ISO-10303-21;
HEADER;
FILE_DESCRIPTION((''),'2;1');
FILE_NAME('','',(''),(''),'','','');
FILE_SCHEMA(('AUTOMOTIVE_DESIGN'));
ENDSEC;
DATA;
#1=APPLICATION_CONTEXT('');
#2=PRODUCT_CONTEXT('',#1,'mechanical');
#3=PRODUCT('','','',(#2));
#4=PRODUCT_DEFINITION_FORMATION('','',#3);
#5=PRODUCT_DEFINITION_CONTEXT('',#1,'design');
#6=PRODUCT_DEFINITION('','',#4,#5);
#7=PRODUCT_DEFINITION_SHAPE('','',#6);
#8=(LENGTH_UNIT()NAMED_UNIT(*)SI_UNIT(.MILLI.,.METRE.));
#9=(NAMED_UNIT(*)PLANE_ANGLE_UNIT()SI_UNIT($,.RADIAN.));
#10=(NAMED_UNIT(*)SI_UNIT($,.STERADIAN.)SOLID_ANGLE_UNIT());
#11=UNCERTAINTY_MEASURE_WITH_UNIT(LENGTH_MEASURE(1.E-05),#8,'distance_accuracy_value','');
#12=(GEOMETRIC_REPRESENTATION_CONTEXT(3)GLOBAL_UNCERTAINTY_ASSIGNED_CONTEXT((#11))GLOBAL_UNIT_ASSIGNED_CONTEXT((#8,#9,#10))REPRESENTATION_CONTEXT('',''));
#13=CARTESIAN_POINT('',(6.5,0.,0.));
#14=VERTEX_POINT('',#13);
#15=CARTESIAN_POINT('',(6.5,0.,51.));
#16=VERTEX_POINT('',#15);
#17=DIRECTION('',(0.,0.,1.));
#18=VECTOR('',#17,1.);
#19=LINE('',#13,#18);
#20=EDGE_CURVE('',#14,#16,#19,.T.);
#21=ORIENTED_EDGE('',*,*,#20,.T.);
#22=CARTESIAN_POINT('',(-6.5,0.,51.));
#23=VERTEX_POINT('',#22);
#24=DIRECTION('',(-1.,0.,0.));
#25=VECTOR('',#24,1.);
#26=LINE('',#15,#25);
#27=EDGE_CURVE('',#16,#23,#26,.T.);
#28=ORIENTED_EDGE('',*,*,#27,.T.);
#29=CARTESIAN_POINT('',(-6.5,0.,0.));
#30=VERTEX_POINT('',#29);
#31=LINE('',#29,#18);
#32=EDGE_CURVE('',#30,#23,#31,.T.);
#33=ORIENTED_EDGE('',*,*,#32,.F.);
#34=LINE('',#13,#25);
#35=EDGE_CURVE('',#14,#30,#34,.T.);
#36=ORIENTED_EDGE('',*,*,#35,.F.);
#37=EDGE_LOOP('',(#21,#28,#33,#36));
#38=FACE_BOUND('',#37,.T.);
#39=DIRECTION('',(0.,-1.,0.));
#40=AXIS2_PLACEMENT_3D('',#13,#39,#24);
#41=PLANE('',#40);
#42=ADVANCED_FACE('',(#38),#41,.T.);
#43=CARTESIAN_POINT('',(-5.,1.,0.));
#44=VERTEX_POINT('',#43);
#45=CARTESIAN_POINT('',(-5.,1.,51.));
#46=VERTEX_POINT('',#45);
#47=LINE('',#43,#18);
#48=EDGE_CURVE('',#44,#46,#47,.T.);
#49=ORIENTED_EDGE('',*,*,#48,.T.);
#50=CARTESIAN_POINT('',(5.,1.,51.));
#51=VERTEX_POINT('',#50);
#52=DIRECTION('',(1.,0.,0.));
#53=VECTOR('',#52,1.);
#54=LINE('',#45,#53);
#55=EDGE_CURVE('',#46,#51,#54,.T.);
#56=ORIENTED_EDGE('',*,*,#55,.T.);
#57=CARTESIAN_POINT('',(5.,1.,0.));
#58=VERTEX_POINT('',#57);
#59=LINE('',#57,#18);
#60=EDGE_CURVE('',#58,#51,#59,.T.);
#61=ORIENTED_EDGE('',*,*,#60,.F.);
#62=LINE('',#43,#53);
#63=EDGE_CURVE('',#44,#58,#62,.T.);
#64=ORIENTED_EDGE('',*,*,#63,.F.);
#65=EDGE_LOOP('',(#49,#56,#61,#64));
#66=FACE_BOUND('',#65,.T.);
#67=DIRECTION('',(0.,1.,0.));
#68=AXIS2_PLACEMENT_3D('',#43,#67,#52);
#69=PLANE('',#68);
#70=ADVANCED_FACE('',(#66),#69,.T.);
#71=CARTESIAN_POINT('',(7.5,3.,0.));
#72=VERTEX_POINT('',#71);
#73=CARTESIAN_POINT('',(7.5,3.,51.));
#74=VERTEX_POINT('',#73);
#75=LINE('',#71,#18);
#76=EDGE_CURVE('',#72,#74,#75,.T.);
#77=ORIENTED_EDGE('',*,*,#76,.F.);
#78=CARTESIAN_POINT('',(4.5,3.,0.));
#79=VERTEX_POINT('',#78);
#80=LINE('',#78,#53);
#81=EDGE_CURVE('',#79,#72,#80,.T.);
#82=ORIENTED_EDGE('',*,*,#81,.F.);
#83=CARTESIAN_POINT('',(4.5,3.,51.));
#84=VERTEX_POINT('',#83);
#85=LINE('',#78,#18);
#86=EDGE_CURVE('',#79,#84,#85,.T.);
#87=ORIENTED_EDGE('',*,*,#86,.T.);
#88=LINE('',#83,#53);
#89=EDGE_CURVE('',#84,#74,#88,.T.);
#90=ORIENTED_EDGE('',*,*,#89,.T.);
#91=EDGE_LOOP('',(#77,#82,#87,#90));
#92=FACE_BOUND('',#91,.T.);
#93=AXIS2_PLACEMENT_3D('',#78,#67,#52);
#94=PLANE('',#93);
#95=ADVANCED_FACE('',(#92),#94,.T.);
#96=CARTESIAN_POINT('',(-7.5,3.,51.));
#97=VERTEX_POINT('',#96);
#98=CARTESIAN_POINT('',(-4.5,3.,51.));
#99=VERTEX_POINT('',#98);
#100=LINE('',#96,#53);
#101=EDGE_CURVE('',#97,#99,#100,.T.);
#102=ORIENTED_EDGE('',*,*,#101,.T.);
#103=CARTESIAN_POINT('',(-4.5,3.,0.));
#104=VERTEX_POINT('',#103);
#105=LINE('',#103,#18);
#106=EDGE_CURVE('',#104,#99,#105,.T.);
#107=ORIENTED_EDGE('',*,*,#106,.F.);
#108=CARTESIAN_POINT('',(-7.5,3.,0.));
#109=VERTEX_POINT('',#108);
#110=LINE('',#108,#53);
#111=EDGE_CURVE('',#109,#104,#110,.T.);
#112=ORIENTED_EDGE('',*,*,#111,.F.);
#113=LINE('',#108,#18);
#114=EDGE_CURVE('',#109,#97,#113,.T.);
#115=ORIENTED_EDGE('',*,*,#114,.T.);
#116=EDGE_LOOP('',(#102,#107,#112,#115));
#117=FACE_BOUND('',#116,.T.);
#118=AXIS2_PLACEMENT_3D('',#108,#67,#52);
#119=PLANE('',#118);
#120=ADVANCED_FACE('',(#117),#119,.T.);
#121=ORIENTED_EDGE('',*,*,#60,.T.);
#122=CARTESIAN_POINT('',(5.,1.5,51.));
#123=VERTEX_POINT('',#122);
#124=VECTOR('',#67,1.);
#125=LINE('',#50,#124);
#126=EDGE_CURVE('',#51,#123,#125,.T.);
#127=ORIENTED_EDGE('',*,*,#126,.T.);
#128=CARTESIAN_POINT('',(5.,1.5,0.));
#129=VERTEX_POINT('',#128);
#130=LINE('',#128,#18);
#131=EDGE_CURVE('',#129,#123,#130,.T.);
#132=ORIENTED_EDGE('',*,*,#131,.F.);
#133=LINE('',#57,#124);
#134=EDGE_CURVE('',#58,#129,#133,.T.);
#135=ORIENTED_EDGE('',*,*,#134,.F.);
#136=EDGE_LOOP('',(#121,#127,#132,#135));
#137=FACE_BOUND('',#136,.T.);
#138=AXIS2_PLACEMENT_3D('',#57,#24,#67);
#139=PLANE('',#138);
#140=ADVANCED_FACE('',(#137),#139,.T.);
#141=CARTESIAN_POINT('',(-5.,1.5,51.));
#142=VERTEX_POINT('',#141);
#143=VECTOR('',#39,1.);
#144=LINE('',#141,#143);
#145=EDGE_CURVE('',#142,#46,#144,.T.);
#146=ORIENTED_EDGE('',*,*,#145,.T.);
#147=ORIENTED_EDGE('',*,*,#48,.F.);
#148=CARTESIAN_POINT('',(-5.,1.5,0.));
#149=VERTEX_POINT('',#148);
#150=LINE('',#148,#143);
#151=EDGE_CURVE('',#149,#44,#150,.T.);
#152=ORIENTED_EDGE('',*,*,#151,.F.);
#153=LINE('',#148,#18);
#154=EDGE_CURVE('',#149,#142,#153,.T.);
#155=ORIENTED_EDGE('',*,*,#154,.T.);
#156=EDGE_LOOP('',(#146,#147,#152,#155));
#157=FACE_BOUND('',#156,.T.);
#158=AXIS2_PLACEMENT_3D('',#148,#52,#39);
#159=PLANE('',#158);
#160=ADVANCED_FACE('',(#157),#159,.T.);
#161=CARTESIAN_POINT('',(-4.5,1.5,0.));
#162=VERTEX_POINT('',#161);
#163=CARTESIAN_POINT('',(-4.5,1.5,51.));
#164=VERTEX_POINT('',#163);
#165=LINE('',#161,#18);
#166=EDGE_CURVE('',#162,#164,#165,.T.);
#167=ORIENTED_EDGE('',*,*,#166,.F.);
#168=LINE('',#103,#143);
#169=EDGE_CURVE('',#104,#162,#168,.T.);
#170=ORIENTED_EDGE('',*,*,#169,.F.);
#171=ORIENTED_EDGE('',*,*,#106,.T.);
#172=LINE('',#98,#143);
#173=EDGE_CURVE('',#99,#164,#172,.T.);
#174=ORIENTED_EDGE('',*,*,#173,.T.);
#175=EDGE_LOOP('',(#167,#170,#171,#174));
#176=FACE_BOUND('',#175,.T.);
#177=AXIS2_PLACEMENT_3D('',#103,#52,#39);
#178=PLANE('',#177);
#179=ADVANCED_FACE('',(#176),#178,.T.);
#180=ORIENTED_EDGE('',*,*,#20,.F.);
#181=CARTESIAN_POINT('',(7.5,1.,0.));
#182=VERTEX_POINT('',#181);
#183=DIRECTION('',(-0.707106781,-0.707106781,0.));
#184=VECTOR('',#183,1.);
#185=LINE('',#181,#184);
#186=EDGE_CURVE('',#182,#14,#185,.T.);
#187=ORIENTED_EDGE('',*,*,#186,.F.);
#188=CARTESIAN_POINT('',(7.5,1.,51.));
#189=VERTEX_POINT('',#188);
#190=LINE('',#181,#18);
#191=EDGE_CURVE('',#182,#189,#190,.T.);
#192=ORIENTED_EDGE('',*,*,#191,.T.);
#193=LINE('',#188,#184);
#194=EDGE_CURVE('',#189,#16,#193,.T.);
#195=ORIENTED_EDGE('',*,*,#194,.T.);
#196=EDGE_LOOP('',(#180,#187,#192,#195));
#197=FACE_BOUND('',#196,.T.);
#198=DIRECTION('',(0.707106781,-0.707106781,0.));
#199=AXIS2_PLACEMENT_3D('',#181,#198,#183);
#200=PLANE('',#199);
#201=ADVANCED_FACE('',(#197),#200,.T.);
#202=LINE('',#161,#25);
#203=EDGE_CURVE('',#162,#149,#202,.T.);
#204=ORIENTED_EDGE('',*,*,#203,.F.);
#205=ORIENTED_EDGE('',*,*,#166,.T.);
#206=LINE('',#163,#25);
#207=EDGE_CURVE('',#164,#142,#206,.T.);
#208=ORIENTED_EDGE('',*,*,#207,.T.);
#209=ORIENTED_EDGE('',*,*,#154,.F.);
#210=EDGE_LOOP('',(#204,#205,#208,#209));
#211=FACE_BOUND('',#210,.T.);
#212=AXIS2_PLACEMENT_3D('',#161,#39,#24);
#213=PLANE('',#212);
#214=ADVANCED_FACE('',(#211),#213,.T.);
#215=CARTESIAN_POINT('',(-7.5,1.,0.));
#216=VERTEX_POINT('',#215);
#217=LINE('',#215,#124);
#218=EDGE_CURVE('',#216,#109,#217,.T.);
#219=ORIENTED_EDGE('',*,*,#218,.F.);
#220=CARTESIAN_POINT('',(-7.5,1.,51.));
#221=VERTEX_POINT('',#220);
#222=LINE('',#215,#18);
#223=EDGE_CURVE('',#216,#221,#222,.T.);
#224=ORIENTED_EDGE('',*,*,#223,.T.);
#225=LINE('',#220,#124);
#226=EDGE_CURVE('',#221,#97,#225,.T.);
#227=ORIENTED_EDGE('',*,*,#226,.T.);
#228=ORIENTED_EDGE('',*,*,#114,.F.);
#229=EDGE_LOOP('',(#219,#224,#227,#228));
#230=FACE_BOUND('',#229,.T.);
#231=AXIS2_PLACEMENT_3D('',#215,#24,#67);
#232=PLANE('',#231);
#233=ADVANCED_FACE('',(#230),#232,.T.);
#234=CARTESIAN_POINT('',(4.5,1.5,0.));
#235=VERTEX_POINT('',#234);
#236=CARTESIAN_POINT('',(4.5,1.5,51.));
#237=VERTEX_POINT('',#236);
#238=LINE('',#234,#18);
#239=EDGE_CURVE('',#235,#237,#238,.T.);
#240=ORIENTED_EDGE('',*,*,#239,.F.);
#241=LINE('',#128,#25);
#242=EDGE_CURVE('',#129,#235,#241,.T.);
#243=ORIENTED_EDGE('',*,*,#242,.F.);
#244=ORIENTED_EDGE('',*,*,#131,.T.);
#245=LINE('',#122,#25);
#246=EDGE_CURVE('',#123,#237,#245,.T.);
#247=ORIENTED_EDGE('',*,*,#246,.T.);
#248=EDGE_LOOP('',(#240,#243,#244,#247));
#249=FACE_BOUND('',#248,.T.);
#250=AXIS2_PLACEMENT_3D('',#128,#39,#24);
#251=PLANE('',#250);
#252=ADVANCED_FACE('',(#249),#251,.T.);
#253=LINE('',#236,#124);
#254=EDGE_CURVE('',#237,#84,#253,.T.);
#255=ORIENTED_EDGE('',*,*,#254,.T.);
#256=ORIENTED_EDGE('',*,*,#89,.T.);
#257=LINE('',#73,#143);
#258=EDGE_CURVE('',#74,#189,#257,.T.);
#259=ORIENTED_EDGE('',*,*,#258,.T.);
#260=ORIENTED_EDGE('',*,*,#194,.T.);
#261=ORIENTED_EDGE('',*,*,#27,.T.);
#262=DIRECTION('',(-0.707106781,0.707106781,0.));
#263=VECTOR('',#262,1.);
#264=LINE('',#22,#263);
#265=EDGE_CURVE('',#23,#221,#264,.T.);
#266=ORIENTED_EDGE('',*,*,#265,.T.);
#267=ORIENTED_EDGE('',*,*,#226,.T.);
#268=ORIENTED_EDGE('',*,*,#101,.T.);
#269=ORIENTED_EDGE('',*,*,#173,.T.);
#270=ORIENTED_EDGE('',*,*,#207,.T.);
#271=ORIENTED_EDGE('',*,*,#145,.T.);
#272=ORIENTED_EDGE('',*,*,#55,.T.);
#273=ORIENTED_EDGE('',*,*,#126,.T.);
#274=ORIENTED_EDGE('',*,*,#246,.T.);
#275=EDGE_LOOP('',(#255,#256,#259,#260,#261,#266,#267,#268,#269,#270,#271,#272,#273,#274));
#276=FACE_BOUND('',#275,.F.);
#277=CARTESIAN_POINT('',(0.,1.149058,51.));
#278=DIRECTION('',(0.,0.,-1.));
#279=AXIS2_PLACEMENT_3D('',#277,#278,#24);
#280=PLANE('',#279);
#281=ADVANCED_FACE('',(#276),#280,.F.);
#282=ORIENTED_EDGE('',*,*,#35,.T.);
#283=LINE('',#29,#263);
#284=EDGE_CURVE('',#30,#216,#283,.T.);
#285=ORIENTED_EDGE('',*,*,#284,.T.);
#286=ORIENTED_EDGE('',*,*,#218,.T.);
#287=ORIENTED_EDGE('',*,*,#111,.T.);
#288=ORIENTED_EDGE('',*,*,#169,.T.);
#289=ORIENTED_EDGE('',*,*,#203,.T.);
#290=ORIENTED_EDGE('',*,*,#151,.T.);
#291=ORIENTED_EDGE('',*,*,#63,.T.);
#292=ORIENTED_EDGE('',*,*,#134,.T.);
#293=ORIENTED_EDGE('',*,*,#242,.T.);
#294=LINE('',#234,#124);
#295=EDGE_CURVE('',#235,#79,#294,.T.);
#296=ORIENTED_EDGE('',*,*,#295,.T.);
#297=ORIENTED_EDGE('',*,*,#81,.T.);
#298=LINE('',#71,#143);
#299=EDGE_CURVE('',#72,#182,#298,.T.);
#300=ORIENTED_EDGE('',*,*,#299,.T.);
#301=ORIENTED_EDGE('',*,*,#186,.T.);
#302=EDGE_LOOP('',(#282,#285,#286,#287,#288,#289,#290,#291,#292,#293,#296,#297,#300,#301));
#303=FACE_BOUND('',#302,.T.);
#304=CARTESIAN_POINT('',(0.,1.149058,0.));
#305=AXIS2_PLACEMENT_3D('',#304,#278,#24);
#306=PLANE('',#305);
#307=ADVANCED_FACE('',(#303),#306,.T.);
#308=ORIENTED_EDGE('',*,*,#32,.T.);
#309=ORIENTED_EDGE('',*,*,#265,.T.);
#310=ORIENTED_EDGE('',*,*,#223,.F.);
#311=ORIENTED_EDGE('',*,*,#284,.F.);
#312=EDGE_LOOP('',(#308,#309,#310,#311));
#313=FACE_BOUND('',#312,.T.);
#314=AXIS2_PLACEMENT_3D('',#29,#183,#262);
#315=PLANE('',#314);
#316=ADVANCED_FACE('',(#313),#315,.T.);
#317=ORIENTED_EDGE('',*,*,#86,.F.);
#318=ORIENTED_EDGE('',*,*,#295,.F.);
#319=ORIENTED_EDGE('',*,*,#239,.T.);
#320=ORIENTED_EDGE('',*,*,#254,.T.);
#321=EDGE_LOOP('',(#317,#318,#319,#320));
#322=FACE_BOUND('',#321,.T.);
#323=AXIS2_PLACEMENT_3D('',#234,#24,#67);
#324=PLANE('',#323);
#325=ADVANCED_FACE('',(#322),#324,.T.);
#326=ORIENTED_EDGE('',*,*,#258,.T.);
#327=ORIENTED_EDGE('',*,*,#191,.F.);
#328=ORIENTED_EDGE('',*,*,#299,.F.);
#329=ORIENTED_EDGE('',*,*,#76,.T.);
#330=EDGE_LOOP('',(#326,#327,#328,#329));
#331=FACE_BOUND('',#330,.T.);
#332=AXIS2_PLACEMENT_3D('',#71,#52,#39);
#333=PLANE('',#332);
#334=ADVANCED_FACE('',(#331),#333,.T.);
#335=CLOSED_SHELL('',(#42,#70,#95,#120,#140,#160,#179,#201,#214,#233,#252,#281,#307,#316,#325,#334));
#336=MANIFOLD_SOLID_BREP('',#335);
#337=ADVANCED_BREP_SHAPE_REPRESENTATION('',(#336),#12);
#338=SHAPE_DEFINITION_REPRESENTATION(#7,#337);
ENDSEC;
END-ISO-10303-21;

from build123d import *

# Parameters (mm, degrees)
PAD_DEPTH = 51


with BuildPart() as part:
    # Sketch → Pad (new body)
    with BuildSketch(Plane.XY):
        Polygon((-7.5, 3), (-4.5, 3), (-4.5, 1.5), (-5, 1.5), (-5, 1), (5, 1), (5, 1.5), (4.5, 1.5), (4.5, 3), (7.5, 3), (7.5, 1), (6.5, 0), (-6.5, 0), (-7.5, 1), align=None)
    extrude(amount=PAD_DEPTH)


solid = part.part
